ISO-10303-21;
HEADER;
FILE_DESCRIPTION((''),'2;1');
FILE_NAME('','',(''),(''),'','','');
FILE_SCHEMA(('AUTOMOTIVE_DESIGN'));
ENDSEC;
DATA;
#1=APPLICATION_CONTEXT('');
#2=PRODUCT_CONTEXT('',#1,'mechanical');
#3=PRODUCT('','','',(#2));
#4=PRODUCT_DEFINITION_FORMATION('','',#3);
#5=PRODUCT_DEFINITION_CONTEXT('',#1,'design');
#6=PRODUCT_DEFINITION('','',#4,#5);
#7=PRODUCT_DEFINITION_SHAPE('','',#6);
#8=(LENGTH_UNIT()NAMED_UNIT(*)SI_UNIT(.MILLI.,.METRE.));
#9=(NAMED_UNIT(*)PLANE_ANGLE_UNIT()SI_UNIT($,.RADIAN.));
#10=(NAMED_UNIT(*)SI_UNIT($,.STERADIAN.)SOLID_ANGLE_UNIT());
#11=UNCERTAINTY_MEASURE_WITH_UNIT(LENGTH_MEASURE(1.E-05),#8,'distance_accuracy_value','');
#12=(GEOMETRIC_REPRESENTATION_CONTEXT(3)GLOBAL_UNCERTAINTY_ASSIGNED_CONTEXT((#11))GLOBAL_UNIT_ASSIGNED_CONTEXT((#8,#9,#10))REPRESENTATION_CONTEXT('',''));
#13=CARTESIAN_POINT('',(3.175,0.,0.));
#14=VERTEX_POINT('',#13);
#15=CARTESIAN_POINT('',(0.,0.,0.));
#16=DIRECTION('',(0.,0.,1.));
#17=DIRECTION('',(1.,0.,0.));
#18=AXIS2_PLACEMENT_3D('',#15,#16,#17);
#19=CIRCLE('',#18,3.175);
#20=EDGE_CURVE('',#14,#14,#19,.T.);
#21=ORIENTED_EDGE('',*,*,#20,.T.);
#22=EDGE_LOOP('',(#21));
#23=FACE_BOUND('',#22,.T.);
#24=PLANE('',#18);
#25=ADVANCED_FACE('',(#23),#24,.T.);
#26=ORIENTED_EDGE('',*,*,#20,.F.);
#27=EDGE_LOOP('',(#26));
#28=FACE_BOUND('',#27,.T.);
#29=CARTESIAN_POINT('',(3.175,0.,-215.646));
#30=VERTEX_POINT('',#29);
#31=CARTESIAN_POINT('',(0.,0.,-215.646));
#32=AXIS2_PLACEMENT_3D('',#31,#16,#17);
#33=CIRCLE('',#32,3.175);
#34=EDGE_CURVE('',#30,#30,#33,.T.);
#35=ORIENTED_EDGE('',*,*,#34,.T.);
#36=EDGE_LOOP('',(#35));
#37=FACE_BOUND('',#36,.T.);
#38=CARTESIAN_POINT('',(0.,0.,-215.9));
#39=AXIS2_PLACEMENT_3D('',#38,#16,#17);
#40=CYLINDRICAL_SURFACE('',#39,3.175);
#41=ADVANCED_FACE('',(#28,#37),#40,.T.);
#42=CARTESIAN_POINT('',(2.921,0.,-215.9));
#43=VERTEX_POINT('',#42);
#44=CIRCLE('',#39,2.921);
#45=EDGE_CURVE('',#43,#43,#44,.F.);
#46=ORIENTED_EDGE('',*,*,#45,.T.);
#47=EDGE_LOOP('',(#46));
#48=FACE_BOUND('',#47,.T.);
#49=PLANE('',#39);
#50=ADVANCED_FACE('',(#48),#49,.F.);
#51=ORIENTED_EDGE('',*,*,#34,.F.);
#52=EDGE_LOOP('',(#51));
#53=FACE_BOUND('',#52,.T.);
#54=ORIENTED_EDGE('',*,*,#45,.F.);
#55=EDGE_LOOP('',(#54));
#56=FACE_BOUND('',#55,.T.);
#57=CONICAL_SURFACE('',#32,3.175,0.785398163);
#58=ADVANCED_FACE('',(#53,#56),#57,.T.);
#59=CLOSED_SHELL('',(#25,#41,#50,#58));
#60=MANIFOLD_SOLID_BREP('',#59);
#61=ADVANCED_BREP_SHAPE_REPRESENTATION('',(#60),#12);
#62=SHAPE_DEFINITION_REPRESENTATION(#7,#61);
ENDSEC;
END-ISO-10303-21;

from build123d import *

# Parameters (mm, degrees)
SKETCH1_R          = 3.175
BASE_EXTRUDE_DEPTH = 215.9
CHAMFER1_SIZE      = 0.254


with BuildPart() as part:
    # Sketch1 → Base-Extrude (new body)
    with BuildSketch(Plane.XY):
        Circle(SKETCH1_R)
    extrude(amount=-BASE_EXTRUDE_DEPTH)

    # Chamfer1
    chamfer1_edges = [part.edges().sort_by_distance(p)[0] for p in [
        (-3.175, 0, -215.9),
    ]]
    chamfer(chamfer1_edges, length=CHAMFER1_SIZE)


solid = part.part
